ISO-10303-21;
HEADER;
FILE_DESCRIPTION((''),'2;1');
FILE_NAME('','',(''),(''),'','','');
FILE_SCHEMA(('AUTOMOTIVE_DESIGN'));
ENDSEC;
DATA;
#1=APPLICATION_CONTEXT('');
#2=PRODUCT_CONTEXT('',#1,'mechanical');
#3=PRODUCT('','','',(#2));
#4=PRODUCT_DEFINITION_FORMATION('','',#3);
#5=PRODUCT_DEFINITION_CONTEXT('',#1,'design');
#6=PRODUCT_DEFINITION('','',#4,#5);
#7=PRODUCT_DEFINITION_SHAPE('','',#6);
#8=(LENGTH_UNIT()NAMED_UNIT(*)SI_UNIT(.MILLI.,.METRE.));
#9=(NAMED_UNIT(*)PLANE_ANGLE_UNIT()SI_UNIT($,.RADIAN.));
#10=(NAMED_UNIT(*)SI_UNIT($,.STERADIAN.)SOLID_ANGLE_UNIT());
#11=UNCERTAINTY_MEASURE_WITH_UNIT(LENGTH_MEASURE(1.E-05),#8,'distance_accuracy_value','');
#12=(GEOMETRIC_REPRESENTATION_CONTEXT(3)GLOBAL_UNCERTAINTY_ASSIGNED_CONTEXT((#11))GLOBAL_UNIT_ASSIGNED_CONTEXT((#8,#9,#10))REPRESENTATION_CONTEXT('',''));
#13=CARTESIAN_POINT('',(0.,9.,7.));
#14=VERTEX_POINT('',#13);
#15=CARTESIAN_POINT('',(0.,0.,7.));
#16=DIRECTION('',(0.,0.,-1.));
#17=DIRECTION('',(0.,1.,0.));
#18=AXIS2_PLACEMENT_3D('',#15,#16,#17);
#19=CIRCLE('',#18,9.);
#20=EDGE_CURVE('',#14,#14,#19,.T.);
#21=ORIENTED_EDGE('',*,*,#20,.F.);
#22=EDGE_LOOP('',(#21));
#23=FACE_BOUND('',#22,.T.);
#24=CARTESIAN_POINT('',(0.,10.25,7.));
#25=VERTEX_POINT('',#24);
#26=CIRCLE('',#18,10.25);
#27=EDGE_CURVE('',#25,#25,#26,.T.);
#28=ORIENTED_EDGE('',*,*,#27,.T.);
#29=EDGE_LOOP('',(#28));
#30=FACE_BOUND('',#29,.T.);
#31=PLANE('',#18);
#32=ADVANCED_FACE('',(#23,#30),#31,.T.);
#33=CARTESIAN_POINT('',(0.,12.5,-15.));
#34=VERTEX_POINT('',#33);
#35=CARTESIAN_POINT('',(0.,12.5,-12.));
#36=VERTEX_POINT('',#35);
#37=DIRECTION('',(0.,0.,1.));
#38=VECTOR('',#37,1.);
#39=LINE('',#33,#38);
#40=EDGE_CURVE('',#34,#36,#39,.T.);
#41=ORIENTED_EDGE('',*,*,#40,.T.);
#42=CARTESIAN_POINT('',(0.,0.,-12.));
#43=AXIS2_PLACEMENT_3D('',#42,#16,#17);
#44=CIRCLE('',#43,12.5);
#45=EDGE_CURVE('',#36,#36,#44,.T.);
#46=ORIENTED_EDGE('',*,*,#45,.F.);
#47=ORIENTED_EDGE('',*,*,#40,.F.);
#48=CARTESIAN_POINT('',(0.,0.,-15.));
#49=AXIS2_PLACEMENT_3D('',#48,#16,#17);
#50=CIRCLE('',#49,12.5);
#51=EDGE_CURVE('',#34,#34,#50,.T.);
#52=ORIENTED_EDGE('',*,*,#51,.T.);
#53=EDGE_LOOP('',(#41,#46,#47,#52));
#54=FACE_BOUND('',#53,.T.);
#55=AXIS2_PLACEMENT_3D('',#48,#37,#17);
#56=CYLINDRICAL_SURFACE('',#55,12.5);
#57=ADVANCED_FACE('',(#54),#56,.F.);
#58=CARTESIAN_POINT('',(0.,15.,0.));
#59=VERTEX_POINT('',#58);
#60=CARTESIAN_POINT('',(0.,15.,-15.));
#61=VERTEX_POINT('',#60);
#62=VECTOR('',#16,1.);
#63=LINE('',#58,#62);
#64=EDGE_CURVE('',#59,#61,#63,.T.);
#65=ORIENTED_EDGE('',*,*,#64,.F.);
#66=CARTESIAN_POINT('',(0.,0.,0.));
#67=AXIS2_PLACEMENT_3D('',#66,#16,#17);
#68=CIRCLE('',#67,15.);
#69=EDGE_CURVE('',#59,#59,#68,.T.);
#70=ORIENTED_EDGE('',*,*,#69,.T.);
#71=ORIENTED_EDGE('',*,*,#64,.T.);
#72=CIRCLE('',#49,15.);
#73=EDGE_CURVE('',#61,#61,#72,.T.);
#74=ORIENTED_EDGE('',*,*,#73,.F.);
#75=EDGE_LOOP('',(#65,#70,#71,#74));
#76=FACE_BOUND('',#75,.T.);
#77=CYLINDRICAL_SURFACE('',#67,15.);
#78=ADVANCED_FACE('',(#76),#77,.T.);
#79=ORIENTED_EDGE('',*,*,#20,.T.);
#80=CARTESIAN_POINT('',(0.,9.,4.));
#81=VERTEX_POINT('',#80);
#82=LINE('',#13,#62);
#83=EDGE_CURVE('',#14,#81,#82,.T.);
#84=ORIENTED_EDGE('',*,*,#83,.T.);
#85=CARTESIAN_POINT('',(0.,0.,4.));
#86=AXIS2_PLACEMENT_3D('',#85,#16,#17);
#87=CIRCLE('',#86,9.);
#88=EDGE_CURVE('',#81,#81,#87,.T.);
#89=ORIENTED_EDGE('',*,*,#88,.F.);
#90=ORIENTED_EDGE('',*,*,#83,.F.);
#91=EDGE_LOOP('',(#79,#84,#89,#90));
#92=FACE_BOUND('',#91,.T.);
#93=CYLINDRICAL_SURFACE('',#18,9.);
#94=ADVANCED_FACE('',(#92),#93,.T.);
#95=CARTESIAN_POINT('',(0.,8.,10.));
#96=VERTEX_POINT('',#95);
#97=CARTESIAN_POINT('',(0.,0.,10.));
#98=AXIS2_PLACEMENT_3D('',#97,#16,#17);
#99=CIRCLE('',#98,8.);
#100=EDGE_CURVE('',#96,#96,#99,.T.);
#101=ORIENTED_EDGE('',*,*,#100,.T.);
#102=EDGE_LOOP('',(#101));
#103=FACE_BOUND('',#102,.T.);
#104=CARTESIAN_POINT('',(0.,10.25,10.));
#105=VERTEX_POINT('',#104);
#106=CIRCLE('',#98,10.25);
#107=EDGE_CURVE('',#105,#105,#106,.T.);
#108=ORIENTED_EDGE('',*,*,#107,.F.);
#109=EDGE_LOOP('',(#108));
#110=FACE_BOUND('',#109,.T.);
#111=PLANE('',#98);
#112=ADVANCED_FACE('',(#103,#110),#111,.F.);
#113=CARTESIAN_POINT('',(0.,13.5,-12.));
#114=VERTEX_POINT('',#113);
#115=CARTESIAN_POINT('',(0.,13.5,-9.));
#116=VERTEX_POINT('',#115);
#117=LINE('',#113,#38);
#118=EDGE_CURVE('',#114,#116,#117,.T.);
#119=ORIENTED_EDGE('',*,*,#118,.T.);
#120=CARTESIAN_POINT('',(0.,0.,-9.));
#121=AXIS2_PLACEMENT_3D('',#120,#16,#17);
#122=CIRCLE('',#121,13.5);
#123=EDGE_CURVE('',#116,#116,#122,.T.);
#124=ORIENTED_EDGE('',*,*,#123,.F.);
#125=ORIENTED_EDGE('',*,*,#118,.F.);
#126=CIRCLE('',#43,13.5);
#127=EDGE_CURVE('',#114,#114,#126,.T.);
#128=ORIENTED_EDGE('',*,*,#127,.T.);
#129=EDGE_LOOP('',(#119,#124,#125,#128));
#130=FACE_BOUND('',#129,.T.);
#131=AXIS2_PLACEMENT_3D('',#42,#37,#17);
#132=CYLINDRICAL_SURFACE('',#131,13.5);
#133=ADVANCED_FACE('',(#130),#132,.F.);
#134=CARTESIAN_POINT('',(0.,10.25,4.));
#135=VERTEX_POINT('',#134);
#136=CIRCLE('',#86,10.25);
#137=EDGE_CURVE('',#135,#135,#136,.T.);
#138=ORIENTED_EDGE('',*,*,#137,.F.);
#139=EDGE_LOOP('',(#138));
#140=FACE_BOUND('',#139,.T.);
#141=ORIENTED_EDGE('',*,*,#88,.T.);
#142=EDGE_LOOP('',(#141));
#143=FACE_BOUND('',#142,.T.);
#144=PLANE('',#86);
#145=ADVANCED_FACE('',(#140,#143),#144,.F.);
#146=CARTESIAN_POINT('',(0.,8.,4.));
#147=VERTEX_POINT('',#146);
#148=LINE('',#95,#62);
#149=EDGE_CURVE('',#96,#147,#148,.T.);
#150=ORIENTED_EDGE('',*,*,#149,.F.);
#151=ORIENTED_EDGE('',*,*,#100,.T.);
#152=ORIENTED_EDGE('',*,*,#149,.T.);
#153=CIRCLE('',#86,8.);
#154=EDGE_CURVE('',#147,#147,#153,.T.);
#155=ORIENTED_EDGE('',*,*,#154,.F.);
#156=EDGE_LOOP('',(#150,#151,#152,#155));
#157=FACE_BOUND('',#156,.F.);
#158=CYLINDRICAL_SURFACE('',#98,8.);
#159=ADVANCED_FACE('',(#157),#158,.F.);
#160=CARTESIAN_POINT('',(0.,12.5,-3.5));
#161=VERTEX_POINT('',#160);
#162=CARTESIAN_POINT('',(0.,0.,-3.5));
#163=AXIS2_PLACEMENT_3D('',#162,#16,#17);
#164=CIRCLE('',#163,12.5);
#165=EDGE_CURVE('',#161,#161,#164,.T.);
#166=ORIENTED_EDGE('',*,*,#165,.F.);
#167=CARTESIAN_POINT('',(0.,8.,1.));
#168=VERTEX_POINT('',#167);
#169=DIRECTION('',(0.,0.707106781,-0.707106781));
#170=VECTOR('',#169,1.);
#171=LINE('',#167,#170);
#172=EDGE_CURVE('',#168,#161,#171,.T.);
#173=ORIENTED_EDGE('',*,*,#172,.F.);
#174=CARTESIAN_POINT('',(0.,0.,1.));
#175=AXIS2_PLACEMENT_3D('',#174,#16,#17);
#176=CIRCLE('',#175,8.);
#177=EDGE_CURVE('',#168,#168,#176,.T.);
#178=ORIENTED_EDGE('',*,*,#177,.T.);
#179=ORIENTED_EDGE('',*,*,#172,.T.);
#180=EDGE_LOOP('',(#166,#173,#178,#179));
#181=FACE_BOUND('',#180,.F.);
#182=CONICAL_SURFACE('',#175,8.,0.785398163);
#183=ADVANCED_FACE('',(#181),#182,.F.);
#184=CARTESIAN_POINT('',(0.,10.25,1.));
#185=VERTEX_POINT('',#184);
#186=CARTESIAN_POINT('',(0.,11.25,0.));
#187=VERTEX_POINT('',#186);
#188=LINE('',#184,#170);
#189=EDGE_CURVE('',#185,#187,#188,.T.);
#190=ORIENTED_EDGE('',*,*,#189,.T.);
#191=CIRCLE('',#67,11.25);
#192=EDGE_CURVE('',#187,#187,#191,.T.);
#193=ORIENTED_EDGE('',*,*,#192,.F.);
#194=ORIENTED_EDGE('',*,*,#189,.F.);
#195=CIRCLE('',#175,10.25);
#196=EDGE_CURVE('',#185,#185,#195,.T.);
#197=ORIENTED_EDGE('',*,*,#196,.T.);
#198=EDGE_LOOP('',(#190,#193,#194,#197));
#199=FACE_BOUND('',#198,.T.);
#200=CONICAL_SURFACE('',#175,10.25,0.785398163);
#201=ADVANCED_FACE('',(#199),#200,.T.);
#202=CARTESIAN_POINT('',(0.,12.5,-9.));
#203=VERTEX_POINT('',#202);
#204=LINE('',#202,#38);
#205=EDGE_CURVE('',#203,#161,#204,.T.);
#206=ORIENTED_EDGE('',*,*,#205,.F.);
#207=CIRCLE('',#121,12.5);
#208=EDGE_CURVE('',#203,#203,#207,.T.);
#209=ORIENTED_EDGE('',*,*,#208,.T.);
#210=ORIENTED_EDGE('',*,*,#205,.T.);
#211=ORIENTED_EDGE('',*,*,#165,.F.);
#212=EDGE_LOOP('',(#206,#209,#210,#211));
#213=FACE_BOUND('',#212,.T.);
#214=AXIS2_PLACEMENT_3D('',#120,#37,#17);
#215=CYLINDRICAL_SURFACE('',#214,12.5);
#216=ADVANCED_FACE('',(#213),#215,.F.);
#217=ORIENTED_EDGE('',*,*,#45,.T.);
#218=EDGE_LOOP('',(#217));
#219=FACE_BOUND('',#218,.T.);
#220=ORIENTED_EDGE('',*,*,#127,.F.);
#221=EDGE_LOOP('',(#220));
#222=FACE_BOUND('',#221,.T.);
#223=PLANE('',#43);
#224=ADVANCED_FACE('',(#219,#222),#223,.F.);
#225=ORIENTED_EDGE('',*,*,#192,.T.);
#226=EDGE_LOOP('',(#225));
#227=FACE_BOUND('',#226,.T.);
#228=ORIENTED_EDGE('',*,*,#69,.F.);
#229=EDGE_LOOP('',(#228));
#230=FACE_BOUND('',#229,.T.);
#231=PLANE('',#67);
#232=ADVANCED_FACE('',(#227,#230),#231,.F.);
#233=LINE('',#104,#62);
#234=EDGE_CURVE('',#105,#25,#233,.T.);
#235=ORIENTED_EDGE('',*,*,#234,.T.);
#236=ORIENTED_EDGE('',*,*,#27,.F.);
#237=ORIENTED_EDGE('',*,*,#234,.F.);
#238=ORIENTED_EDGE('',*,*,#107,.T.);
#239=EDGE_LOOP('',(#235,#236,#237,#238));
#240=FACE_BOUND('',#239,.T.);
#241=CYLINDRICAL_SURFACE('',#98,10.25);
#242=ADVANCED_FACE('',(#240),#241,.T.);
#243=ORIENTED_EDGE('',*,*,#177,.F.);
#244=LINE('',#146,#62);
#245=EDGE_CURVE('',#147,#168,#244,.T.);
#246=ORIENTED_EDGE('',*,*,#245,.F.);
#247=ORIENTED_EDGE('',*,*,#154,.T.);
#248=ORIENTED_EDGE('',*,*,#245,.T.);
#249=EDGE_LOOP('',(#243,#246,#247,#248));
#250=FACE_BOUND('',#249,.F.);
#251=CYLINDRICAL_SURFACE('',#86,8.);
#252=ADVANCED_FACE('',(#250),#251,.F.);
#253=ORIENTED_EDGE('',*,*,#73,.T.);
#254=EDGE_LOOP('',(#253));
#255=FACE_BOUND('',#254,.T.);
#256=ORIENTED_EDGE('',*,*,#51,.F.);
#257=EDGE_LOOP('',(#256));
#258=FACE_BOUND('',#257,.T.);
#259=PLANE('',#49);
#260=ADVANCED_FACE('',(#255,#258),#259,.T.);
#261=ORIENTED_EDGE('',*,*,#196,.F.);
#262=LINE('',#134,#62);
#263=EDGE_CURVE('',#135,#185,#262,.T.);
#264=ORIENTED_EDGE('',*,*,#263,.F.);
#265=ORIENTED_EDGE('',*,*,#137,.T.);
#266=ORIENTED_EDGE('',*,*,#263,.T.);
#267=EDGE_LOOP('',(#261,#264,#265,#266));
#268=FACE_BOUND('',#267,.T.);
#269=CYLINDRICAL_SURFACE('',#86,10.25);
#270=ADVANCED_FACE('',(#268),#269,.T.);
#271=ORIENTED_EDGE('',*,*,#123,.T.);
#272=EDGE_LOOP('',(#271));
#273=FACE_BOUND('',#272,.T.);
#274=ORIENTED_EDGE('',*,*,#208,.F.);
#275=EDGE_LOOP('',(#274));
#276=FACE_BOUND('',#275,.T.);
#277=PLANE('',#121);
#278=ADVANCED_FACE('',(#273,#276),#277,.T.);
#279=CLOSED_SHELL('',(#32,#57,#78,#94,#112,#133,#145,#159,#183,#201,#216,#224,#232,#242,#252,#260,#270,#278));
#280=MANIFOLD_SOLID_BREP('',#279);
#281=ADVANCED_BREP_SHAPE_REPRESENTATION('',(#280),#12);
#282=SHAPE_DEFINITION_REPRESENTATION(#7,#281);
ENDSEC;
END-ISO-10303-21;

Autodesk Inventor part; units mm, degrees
ref_plane "YZ Plane" through (0, 0, 0) normal (1, 0, 0) x (0, 1, 0)
ref_plane "XZ Plane" through (0, 0, 0) normal (0, 1, 0) x (-1, 0, 0)
ref_plane "XY Plane" through (0, 0, 0) normal (0, 0, 1) x (1, 0, 0)
sketch "Sketch1" plane through (0, 0, 0) normal (1, 0, 0) x (0, 1, 0)
  line L0 (0, 0) -> (0, 10) construction
  line L1 (0, 0) -> (0, -15) construction
  line L2 (0, 10) -> (8, 10) construction
  line L3 (0, -15) -> (12.5, -15) construction
  line L4 (8, 10) -> (10.25, 10)
  line L5 (10.25, 10) -> (10.25, 7)
  line L6 (10.25, 7) -> (9, 7)
  line L7 (9, 7) -> (9, 4)
  line L8 (9, 4) -> (10.25, 4)
  line L9 (10.25, 4) -> (10.25, 1)
  line L10 (10.25, 0) -> (15, 0)
  line L11 (12.5, -15) -> (12.5, -12)
  line L12 (12.5, -12) -> (13.5, -12)
  line L13 (8, 10) -> (8, 4)
  line L14 (8, 4) -> (8, 1)
  line L15 (8, 1) -> (12.5, -3.5)
  line L16 (8, 1) -> (14.364, 1) construction
  line L17 (13.5, -12) -> (13.5, -9)
  line L18 (13.5, -9) -> (12.5, -9)
  line L19 (12.5, -9) -> (12.5, -3.5)
  line L20 (15, 0) -> (15, -15)
  line L21 (15, -15) -> (12.5, -15)
  line L22 (10.25, 1) -> (11.25, 0)
  line L23 (10.25, 1) -> (11.6642, 1) construction
  dimension "d1" = 10
  dimension "d2" = 15
  dimension "d3" = 8
  dimension "d4" = 12.5
  dimension "d5" = 2.25
  dimension "d6" = 3
  dimension "d7" = 1.25
  dimension "d8" = 3
  dimension "d9" = 4
  dimension "d10" = 4.75
  dimension "d13" = 3
  dimension "d17" = 6
  dimension "d18" = 3
  dimension "d19" = 45
  dimension "d20" = 3
  dimension "d21" = 15
  dimension "d22" = 45
revolve "Revolution1" add sketch "Sketch1" angle 360 about axis through (0, 0, 0) along (0, 0, -1)
properties part number "Adaptador_inflador_corrugadoscf" material "Polyethylene, High Density"
